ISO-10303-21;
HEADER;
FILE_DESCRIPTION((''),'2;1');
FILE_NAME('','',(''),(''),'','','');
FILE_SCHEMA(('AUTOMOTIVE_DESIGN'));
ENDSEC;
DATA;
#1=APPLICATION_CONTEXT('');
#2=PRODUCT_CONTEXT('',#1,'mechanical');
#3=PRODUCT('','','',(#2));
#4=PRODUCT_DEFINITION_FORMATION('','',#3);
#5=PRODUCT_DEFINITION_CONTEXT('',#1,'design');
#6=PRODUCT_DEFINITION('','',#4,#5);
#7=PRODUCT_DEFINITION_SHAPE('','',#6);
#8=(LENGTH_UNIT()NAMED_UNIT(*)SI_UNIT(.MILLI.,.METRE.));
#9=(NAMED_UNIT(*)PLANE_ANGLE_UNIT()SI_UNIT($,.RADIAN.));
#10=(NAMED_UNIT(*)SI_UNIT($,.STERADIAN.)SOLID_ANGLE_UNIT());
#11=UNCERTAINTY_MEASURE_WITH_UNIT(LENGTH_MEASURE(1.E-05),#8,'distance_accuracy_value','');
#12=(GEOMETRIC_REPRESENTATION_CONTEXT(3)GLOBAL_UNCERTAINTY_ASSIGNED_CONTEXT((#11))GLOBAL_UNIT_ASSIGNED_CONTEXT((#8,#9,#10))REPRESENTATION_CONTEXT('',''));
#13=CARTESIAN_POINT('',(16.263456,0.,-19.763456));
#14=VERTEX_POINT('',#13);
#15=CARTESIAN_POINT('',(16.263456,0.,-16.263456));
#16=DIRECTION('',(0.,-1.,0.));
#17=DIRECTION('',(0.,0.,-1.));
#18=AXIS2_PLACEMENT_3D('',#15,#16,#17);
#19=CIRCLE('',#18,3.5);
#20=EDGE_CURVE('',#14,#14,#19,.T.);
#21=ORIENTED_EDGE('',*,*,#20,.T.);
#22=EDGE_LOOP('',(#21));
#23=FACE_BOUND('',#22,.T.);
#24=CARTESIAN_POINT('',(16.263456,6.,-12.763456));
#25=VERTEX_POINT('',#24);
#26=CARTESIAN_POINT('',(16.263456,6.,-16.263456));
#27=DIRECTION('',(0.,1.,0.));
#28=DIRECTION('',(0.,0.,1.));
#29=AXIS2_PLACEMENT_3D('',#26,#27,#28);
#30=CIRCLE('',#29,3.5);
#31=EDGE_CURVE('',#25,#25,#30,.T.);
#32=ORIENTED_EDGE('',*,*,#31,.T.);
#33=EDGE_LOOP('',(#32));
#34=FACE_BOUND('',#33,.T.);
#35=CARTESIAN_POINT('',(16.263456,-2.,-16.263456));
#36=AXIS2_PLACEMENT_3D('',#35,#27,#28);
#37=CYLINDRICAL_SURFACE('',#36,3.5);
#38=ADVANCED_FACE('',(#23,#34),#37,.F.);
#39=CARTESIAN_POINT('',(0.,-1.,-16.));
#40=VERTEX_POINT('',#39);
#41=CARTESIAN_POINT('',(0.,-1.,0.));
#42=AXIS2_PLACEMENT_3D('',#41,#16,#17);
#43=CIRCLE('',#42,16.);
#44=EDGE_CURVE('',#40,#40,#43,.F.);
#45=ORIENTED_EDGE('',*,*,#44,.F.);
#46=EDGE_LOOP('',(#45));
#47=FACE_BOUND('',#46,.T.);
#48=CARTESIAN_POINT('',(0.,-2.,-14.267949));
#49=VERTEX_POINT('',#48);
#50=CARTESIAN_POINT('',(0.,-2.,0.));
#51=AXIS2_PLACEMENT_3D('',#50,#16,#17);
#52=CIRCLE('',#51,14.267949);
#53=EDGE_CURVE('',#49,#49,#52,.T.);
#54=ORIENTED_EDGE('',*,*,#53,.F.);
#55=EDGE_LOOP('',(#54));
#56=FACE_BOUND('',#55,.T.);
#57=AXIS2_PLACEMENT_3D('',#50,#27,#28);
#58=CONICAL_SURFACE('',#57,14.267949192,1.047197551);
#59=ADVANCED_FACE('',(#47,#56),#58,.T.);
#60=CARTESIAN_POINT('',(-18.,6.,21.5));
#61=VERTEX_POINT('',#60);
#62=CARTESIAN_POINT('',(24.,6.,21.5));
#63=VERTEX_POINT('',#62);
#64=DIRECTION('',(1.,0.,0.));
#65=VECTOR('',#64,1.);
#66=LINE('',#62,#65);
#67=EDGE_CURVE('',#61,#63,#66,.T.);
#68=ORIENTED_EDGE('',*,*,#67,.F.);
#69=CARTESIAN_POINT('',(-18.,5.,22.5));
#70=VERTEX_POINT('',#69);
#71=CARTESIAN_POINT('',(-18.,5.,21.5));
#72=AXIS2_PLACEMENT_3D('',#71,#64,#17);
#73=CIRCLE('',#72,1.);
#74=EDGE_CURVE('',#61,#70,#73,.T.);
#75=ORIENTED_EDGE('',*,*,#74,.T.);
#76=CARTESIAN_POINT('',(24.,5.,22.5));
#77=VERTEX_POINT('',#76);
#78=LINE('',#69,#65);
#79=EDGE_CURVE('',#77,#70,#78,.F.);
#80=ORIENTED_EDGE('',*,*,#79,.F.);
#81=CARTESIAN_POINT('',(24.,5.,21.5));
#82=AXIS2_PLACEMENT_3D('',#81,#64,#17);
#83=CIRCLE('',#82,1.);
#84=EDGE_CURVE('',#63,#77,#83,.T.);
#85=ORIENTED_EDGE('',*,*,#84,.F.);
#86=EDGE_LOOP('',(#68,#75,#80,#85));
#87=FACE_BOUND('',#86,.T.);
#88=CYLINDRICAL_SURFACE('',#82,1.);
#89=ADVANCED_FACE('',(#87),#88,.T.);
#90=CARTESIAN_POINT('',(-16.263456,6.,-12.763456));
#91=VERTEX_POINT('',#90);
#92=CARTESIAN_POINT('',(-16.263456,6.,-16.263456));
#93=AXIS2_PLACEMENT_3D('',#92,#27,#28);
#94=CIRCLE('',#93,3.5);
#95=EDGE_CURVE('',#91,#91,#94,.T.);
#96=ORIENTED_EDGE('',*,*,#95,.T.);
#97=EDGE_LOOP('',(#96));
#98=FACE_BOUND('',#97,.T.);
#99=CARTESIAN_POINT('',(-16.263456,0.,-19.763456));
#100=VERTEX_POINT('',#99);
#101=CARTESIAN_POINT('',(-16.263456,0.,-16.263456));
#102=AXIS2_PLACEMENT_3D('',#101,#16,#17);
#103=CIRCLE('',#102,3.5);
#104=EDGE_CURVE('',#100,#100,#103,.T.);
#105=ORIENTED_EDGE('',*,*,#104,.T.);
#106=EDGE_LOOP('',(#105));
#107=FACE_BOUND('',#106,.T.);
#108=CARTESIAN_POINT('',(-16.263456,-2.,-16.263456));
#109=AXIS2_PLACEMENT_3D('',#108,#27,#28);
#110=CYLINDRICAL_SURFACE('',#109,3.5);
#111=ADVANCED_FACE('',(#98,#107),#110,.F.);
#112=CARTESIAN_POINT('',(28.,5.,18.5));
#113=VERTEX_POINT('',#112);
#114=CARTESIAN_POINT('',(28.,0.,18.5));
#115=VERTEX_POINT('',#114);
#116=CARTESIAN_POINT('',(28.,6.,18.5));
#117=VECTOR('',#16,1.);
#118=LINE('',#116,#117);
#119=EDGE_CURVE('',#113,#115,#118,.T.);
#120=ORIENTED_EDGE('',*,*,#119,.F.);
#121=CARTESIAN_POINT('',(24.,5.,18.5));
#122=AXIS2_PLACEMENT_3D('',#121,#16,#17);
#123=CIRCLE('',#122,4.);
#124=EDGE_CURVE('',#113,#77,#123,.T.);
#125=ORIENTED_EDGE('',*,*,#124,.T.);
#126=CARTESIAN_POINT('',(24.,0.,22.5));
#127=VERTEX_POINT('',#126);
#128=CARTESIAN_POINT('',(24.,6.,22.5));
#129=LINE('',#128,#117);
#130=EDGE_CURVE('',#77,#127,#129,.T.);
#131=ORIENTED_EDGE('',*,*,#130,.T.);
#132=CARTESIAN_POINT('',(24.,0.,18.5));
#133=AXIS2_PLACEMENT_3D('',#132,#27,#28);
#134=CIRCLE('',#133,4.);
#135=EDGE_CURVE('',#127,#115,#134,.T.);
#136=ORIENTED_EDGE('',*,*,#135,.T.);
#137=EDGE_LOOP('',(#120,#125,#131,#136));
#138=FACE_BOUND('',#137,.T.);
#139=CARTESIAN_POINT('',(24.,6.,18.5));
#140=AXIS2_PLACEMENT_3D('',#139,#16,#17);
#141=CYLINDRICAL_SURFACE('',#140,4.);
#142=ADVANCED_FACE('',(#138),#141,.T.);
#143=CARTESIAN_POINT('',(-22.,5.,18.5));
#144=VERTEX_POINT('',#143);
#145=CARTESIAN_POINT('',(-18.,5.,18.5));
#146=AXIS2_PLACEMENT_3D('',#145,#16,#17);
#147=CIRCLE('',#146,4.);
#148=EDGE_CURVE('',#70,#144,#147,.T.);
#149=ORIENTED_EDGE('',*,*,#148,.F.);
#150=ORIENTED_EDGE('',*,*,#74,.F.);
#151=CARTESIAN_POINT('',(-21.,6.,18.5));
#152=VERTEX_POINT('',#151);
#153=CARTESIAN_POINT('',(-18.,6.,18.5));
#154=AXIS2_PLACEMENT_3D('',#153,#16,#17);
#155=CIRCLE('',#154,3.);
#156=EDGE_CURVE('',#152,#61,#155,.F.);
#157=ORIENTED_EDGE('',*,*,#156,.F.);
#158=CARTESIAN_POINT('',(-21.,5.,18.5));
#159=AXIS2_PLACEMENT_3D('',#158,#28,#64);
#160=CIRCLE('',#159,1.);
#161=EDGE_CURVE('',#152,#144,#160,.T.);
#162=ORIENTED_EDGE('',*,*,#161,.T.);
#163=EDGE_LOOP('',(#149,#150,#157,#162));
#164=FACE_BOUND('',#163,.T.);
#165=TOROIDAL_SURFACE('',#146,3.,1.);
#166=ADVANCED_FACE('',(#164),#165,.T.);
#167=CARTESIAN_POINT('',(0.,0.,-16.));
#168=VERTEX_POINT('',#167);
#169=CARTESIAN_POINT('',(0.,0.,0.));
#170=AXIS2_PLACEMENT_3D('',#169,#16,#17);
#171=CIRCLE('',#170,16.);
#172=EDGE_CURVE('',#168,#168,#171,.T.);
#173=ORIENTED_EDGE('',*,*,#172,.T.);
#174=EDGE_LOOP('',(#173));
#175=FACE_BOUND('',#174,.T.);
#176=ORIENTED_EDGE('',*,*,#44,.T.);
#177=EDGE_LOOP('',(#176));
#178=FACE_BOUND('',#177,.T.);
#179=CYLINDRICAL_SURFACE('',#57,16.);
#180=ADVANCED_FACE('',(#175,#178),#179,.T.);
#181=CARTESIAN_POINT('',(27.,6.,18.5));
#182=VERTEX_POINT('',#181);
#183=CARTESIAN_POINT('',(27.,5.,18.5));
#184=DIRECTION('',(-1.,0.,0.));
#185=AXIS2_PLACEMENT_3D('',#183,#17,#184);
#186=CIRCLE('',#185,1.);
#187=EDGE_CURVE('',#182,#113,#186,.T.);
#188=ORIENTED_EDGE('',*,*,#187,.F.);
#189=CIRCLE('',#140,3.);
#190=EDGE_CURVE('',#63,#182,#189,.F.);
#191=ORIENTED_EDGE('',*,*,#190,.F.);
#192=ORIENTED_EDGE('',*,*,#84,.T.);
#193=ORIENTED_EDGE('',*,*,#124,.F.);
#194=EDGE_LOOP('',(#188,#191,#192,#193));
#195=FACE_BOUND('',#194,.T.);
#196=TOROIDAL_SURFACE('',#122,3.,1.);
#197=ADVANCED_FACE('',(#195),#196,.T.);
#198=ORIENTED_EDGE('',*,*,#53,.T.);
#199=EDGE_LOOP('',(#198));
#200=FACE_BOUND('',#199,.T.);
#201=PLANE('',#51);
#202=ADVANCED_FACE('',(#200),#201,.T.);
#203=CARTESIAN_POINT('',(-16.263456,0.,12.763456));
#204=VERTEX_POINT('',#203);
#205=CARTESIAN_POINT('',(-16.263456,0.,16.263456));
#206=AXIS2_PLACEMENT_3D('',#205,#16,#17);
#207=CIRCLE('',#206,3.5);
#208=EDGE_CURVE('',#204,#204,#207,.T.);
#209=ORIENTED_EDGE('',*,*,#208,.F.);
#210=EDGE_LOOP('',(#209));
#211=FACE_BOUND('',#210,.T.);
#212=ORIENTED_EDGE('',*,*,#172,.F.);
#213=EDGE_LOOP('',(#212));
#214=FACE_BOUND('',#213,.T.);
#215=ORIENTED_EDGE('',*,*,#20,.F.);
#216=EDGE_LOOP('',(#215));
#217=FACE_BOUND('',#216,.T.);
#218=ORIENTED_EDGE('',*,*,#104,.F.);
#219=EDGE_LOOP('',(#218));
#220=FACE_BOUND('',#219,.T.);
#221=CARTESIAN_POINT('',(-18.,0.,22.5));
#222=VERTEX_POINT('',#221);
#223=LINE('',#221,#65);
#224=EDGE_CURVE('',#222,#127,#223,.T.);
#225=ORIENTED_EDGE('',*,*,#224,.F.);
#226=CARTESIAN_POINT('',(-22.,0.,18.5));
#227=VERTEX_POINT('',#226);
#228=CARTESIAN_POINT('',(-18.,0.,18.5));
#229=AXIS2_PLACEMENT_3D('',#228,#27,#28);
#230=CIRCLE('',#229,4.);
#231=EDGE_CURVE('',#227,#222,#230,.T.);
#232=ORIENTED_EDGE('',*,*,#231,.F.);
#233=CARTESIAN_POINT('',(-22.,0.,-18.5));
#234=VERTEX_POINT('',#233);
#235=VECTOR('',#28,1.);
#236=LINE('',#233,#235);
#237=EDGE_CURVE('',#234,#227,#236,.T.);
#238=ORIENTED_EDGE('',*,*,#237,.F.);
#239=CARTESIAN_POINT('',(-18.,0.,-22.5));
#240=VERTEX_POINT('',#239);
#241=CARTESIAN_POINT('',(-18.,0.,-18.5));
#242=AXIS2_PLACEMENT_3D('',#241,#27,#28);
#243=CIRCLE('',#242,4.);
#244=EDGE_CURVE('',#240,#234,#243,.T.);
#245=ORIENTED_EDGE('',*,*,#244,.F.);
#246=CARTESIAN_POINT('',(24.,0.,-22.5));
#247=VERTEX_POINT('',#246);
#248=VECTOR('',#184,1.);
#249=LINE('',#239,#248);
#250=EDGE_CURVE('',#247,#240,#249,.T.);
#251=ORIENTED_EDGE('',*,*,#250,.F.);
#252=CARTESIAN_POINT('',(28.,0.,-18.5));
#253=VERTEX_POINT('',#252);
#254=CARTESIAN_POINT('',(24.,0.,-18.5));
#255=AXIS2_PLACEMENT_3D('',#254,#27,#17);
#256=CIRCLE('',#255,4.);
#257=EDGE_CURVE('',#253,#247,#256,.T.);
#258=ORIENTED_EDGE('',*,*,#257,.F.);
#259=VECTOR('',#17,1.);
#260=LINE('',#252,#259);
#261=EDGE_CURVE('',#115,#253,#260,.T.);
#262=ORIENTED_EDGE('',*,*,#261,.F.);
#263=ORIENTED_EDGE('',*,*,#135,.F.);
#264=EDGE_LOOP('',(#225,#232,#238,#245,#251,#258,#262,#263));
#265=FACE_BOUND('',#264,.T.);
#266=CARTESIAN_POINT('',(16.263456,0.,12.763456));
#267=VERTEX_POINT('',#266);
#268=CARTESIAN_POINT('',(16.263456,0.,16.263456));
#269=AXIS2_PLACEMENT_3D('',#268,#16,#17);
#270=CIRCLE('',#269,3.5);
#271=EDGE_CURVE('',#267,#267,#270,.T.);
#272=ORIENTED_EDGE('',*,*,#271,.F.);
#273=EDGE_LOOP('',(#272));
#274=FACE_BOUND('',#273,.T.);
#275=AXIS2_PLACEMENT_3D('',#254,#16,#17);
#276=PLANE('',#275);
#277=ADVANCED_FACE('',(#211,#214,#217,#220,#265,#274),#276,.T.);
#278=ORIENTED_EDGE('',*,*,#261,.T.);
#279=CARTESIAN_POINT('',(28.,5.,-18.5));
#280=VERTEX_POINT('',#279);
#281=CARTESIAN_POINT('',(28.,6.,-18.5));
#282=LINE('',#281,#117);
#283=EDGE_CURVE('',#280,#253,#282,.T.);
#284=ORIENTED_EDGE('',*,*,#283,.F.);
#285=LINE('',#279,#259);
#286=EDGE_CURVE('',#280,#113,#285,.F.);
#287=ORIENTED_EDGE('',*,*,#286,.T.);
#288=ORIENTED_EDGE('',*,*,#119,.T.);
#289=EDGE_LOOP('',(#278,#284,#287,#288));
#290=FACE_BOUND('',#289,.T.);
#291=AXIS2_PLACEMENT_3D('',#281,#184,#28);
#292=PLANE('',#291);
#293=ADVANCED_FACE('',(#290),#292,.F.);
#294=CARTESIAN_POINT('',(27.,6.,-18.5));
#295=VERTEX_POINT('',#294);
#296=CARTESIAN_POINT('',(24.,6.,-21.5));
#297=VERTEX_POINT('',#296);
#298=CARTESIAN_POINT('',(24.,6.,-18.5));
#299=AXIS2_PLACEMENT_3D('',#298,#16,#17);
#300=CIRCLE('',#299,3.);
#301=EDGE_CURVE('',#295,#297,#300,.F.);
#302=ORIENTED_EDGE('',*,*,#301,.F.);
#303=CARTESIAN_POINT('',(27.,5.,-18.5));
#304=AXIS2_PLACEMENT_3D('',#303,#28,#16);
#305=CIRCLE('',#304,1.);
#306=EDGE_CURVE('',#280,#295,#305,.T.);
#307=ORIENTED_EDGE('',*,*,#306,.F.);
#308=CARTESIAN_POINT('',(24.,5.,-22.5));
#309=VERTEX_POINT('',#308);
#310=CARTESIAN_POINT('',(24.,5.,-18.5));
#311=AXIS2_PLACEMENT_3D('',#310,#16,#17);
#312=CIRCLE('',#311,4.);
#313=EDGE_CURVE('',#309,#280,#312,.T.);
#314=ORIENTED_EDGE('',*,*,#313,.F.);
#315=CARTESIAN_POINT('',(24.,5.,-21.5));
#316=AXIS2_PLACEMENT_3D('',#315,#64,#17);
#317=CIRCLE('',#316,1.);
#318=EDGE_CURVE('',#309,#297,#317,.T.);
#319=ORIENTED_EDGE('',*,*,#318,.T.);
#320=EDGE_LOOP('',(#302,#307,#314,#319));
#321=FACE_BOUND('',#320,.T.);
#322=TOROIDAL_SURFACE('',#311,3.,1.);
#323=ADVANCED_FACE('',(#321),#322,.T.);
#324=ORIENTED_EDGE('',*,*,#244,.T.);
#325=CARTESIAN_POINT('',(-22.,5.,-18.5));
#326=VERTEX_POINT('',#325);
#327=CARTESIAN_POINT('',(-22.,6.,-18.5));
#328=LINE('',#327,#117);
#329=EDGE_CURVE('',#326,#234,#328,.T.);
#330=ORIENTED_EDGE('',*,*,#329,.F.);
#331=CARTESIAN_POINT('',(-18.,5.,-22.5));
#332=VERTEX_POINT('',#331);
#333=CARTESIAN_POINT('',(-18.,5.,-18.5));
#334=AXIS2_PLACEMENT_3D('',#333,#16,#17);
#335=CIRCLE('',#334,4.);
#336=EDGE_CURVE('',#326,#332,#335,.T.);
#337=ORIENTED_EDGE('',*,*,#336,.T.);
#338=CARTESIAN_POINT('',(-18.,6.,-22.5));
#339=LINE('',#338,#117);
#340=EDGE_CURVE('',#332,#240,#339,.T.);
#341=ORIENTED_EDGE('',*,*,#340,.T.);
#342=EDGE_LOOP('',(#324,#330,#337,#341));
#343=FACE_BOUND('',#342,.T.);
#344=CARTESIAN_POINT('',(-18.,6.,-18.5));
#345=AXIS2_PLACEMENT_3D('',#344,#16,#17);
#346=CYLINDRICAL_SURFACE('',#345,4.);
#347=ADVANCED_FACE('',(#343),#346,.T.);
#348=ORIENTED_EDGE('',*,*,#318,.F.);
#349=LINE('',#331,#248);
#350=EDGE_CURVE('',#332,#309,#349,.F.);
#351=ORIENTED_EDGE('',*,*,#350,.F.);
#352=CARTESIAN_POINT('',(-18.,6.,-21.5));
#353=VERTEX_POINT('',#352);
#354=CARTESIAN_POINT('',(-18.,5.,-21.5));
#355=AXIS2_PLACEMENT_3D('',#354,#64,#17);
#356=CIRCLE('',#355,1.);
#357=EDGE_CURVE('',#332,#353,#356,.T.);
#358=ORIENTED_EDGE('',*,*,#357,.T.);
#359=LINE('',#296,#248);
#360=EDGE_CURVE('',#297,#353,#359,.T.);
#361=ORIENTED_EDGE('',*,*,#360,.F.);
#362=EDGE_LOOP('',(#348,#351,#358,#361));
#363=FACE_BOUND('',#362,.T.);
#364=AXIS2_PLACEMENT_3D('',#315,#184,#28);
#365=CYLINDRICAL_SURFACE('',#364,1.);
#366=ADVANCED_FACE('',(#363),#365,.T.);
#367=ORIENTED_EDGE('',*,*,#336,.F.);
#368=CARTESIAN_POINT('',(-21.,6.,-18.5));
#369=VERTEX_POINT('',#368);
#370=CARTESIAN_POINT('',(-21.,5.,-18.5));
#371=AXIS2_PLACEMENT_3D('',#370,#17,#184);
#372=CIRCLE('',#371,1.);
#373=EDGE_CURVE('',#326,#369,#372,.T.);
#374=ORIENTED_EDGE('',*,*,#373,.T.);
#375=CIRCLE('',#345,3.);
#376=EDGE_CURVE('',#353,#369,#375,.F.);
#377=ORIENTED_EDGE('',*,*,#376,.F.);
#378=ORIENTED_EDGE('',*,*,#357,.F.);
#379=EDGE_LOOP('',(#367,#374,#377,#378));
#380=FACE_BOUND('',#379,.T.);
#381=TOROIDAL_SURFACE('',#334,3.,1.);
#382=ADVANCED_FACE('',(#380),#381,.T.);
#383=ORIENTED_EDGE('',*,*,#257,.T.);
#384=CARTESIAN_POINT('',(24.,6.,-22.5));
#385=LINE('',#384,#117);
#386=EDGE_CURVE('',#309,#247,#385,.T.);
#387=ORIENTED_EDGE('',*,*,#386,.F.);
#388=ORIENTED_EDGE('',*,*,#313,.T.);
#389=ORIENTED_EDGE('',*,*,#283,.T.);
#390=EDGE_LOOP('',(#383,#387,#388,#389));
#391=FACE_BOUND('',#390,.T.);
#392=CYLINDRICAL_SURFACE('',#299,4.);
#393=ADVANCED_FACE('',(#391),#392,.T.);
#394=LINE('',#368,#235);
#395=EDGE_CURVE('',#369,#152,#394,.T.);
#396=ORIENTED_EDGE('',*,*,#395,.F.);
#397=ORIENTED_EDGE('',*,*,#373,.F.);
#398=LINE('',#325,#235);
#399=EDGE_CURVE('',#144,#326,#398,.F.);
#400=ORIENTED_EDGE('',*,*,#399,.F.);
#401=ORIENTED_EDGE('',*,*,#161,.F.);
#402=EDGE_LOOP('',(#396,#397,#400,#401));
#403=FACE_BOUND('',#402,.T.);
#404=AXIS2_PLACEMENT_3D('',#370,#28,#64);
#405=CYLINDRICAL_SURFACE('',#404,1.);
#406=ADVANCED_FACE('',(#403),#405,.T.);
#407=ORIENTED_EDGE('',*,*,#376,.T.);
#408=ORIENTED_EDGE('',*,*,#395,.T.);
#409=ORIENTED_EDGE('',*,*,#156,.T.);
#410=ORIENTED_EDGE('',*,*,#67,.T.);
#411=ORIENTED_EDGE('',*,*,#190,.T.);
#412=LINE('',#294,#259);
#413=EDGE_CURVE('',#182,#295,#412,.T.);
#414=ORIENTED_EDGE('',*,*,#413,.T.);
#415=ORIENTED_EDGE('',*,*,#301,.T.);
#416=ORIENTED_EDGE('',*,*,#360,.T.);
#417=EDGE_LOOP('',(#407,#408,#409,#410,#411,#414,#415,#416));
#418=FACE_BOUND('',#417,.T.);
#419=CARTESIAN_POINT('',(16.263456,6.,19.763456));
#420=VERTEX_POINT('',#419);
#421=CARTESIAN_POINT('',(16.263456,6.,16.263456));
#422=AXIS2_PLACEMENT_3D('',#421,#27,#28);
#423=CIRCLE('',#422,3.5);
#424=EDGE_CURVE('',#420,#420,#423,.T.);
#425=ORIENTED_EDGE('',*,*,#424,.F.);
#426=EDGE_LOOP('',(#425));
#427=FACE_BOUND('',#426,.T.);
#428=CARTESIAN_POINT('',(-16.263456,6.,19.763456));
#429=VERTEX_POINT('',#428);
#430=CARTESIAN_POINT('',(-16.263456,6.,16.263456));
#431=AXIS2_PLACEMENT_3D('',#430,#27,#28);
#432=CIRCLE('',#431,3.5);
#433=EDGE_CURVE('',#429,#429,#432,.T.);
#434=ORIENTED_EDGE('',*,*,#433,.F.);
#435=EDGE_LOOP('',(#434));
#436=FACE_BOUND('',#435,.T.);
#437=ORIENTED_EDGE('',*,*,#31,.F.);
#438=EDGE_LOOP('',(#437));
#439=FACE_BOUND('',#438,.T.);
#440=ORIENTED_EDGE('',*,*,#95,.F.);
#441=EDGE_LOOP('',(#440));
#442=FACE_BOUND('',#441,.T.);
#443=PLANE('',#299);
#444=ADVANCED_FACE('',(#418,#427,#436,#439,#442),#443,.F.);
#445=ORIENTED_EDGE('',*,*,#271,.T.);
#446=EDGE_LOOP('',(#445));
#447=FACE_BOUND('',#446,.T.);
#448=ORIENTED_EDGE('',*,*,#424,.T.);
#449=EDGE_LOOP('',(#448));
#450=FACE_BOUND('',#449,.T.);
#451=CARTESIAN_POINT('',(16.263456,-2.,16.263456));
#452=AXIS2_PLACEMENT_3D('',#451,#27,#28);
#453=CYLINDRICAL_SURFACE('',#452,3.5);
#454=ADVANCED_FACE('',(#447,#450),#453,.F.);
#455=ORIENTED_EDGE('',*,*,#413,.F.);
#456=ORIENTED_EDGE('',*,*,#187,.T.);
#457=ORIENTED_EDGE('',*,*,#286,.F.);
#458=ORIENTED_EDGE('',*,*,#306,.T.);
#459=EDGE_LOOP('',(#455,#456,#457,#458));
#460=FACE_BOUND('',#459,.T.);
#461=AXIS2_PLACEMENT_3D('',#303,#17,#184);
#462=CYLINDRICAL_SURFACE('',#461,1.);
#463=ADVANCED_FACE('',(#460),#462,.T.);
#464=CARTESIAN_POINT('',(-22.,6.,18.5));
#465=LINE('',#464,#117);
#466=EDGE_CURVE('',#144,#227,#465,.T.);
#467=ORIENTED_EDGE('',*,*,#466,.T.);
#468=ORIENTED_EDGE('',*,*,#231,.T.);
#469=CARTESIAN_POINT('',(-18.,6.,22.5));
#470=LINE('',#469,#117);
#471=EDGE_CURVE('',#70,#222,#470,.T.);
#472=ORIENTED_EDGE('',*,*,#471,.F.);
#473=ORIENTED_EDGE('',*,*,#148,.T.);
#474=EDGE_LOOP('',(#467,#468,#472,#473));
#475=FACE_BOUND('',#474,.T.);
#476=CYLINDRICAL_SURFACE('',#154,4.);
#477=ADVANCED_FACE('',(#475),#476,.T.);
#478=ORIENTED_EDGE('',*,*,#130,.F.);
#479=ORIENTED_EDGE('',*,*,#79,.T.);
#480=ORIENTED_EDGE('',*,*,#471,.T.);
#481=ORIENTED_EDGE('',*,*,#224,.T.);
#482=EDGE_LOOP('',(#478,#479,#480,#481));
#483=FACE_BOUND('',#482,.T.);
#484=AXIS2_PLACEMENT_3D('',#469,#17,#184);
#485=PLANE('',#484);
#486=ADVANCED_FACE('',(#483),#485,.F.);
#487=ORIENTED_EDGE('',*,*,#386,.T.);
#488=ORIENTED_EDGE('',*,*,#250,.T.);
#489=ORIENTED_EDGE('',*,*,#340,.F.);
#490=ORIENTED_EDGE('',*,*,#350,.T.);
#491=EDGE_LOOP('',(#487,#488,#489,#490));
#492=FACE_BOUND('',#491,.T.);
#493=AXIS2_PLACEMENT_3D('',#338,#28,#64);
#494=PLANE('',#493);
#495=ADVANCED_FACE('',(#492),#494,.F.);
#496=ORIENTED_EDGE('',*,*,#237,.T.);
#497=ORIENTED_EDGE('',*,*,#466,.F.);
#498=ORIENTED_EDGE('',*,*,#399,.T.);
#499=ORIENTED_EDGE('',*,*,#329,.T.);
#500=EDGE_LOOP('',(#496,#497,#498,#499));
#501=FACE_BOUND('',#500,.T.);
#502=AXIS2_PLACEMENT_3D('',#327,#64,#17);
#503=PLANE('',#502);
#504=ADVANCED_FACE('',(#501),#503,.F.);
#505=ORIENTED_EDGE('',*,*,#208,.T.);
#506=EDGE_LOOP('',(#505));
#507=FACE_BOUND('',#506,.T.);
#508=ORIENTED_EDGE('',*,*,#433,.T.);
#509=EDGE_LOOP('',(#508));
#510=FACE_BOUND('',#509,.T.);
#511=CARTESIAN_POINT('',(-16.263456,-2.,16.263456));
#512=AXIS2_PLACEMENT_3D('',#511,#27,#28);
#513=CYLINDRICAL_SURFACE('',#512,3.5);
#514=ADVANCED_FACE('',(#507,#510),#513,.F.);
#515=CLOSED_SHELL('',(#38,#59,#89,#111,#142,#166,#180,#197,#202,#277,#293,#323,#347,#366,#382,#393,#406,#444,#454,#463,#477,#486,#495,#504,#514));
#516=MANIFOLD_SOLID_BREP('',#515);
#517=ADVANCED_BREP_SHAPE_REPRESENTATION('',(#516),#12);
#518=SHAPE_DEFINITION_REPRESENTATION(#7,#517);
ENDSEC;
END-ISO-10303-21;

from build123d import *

# Parameters (mm, degrees)
BOSS_EXTRUDE1_DEPTH = 6
FILLET1_R           = 1
SKETCH2_R           = 16
BOSS_EXTRUDE2_DEPTH = 2
CHAMFER1_SIZE       = 1
CHAMFER1_SIZE2      = 1.732050808
SKETCH3_R           = 3.5
CUT_EXTRUDE1_DEPTH  = 9


with BuildPart() as part:
    # Sketch1 → Boss-Extrude1 (new body)
    with BuildSketch(Plane(origin=(0, 0, 0), x_dir=(1, 0, 0), z_dir=(0, 1, 0))):
        with BuildLine():
            Line((-18, 22.5), (24, 22.5))
            ThreePointArc((24, 22.5), (26.828427125, 21.328427125), (28, 18.5))
            Line((28, 18.5), (28, -18.5))
            ThreePointArc((28, -18.5), (26.828427125, -21.328427125), (24, -22.5))
            Line((24, -22.5), (-18, -22.5))
            ThreePointArc((-18, -22.5), (-20.828427125, -21.328427125), (-22, -18.5))
            Line((-22, -18.5), (-22, 18.5))
            ThreePointArc((-22, 18.5), (-20.828427125, 21.328427125), (-18, 22.5))
        make_face()
    extrude(amount=BOSS_EXTRUDE1_DEPTH)

    # Fillet1
    fillet1_edges = [part.edges().sort_by_distance(p)[0] for p in [
        (-20.828427125, 6, -21.328427125),
        (-22, 6, 0),
        (-20.828427125, 6, 21.328427125),
        (3, 6, 22.5),
        (26.828427125, 6, 21.328427125),
        (28, 6, 0),
        (26.828427125, 6, -21.328427125),
        (3, 6, -22.5),
    ]]
    fillet(fillet1_edges, radius=FILLET1_R)

    # Sketch2 → Boss-Extrude2 (add)
    with BuildSketch(Plane.XZ):
        Circle(SKETCH2_R)
    extrude(amount=BOSS_EXTRUDE2_DEPTH)

    # Chamfer1
    chamfer1_edges = [part.edges().sort_by_distance(p)[0] for p in [
        (-16, -2, 0),
    ]]
    chamfer1_side = [part.faces().sort_by_distance(p)[0] for p in [
        (-16, -1, 0),
    ]]
    chamfer(chamfer1_edges, length=CHAMFER1_SIZE, length2=CHAMFER1_SIZE2, reference=chamfer1_side[0])

    # Sketch3 → Cut-Extrude1 (cut, through all)
    with BuildSketch(Plane(origin=(0, 6, 0), x_dir=(1, 0, 0), z_dir=(0, 1, 0))):
        with Locations((-16.263455967, 16.263455967)):
            Circle(SKETCH3_R)
        with Locations((16.263455967, 16.263455967)):
            Circle(SKETCH3_R)
        with Locations((16.263455967, -16.263455967)):
            Circle(SKETCH3_R)
        with Locations((-16.263455967, -16.263455967)):
            Circle(SKETCH3_R)
    extrude(amount=-CUT_EXTRUDE1_DEPTH, mode=Mode.SUBTRACT)


solid = part.part
